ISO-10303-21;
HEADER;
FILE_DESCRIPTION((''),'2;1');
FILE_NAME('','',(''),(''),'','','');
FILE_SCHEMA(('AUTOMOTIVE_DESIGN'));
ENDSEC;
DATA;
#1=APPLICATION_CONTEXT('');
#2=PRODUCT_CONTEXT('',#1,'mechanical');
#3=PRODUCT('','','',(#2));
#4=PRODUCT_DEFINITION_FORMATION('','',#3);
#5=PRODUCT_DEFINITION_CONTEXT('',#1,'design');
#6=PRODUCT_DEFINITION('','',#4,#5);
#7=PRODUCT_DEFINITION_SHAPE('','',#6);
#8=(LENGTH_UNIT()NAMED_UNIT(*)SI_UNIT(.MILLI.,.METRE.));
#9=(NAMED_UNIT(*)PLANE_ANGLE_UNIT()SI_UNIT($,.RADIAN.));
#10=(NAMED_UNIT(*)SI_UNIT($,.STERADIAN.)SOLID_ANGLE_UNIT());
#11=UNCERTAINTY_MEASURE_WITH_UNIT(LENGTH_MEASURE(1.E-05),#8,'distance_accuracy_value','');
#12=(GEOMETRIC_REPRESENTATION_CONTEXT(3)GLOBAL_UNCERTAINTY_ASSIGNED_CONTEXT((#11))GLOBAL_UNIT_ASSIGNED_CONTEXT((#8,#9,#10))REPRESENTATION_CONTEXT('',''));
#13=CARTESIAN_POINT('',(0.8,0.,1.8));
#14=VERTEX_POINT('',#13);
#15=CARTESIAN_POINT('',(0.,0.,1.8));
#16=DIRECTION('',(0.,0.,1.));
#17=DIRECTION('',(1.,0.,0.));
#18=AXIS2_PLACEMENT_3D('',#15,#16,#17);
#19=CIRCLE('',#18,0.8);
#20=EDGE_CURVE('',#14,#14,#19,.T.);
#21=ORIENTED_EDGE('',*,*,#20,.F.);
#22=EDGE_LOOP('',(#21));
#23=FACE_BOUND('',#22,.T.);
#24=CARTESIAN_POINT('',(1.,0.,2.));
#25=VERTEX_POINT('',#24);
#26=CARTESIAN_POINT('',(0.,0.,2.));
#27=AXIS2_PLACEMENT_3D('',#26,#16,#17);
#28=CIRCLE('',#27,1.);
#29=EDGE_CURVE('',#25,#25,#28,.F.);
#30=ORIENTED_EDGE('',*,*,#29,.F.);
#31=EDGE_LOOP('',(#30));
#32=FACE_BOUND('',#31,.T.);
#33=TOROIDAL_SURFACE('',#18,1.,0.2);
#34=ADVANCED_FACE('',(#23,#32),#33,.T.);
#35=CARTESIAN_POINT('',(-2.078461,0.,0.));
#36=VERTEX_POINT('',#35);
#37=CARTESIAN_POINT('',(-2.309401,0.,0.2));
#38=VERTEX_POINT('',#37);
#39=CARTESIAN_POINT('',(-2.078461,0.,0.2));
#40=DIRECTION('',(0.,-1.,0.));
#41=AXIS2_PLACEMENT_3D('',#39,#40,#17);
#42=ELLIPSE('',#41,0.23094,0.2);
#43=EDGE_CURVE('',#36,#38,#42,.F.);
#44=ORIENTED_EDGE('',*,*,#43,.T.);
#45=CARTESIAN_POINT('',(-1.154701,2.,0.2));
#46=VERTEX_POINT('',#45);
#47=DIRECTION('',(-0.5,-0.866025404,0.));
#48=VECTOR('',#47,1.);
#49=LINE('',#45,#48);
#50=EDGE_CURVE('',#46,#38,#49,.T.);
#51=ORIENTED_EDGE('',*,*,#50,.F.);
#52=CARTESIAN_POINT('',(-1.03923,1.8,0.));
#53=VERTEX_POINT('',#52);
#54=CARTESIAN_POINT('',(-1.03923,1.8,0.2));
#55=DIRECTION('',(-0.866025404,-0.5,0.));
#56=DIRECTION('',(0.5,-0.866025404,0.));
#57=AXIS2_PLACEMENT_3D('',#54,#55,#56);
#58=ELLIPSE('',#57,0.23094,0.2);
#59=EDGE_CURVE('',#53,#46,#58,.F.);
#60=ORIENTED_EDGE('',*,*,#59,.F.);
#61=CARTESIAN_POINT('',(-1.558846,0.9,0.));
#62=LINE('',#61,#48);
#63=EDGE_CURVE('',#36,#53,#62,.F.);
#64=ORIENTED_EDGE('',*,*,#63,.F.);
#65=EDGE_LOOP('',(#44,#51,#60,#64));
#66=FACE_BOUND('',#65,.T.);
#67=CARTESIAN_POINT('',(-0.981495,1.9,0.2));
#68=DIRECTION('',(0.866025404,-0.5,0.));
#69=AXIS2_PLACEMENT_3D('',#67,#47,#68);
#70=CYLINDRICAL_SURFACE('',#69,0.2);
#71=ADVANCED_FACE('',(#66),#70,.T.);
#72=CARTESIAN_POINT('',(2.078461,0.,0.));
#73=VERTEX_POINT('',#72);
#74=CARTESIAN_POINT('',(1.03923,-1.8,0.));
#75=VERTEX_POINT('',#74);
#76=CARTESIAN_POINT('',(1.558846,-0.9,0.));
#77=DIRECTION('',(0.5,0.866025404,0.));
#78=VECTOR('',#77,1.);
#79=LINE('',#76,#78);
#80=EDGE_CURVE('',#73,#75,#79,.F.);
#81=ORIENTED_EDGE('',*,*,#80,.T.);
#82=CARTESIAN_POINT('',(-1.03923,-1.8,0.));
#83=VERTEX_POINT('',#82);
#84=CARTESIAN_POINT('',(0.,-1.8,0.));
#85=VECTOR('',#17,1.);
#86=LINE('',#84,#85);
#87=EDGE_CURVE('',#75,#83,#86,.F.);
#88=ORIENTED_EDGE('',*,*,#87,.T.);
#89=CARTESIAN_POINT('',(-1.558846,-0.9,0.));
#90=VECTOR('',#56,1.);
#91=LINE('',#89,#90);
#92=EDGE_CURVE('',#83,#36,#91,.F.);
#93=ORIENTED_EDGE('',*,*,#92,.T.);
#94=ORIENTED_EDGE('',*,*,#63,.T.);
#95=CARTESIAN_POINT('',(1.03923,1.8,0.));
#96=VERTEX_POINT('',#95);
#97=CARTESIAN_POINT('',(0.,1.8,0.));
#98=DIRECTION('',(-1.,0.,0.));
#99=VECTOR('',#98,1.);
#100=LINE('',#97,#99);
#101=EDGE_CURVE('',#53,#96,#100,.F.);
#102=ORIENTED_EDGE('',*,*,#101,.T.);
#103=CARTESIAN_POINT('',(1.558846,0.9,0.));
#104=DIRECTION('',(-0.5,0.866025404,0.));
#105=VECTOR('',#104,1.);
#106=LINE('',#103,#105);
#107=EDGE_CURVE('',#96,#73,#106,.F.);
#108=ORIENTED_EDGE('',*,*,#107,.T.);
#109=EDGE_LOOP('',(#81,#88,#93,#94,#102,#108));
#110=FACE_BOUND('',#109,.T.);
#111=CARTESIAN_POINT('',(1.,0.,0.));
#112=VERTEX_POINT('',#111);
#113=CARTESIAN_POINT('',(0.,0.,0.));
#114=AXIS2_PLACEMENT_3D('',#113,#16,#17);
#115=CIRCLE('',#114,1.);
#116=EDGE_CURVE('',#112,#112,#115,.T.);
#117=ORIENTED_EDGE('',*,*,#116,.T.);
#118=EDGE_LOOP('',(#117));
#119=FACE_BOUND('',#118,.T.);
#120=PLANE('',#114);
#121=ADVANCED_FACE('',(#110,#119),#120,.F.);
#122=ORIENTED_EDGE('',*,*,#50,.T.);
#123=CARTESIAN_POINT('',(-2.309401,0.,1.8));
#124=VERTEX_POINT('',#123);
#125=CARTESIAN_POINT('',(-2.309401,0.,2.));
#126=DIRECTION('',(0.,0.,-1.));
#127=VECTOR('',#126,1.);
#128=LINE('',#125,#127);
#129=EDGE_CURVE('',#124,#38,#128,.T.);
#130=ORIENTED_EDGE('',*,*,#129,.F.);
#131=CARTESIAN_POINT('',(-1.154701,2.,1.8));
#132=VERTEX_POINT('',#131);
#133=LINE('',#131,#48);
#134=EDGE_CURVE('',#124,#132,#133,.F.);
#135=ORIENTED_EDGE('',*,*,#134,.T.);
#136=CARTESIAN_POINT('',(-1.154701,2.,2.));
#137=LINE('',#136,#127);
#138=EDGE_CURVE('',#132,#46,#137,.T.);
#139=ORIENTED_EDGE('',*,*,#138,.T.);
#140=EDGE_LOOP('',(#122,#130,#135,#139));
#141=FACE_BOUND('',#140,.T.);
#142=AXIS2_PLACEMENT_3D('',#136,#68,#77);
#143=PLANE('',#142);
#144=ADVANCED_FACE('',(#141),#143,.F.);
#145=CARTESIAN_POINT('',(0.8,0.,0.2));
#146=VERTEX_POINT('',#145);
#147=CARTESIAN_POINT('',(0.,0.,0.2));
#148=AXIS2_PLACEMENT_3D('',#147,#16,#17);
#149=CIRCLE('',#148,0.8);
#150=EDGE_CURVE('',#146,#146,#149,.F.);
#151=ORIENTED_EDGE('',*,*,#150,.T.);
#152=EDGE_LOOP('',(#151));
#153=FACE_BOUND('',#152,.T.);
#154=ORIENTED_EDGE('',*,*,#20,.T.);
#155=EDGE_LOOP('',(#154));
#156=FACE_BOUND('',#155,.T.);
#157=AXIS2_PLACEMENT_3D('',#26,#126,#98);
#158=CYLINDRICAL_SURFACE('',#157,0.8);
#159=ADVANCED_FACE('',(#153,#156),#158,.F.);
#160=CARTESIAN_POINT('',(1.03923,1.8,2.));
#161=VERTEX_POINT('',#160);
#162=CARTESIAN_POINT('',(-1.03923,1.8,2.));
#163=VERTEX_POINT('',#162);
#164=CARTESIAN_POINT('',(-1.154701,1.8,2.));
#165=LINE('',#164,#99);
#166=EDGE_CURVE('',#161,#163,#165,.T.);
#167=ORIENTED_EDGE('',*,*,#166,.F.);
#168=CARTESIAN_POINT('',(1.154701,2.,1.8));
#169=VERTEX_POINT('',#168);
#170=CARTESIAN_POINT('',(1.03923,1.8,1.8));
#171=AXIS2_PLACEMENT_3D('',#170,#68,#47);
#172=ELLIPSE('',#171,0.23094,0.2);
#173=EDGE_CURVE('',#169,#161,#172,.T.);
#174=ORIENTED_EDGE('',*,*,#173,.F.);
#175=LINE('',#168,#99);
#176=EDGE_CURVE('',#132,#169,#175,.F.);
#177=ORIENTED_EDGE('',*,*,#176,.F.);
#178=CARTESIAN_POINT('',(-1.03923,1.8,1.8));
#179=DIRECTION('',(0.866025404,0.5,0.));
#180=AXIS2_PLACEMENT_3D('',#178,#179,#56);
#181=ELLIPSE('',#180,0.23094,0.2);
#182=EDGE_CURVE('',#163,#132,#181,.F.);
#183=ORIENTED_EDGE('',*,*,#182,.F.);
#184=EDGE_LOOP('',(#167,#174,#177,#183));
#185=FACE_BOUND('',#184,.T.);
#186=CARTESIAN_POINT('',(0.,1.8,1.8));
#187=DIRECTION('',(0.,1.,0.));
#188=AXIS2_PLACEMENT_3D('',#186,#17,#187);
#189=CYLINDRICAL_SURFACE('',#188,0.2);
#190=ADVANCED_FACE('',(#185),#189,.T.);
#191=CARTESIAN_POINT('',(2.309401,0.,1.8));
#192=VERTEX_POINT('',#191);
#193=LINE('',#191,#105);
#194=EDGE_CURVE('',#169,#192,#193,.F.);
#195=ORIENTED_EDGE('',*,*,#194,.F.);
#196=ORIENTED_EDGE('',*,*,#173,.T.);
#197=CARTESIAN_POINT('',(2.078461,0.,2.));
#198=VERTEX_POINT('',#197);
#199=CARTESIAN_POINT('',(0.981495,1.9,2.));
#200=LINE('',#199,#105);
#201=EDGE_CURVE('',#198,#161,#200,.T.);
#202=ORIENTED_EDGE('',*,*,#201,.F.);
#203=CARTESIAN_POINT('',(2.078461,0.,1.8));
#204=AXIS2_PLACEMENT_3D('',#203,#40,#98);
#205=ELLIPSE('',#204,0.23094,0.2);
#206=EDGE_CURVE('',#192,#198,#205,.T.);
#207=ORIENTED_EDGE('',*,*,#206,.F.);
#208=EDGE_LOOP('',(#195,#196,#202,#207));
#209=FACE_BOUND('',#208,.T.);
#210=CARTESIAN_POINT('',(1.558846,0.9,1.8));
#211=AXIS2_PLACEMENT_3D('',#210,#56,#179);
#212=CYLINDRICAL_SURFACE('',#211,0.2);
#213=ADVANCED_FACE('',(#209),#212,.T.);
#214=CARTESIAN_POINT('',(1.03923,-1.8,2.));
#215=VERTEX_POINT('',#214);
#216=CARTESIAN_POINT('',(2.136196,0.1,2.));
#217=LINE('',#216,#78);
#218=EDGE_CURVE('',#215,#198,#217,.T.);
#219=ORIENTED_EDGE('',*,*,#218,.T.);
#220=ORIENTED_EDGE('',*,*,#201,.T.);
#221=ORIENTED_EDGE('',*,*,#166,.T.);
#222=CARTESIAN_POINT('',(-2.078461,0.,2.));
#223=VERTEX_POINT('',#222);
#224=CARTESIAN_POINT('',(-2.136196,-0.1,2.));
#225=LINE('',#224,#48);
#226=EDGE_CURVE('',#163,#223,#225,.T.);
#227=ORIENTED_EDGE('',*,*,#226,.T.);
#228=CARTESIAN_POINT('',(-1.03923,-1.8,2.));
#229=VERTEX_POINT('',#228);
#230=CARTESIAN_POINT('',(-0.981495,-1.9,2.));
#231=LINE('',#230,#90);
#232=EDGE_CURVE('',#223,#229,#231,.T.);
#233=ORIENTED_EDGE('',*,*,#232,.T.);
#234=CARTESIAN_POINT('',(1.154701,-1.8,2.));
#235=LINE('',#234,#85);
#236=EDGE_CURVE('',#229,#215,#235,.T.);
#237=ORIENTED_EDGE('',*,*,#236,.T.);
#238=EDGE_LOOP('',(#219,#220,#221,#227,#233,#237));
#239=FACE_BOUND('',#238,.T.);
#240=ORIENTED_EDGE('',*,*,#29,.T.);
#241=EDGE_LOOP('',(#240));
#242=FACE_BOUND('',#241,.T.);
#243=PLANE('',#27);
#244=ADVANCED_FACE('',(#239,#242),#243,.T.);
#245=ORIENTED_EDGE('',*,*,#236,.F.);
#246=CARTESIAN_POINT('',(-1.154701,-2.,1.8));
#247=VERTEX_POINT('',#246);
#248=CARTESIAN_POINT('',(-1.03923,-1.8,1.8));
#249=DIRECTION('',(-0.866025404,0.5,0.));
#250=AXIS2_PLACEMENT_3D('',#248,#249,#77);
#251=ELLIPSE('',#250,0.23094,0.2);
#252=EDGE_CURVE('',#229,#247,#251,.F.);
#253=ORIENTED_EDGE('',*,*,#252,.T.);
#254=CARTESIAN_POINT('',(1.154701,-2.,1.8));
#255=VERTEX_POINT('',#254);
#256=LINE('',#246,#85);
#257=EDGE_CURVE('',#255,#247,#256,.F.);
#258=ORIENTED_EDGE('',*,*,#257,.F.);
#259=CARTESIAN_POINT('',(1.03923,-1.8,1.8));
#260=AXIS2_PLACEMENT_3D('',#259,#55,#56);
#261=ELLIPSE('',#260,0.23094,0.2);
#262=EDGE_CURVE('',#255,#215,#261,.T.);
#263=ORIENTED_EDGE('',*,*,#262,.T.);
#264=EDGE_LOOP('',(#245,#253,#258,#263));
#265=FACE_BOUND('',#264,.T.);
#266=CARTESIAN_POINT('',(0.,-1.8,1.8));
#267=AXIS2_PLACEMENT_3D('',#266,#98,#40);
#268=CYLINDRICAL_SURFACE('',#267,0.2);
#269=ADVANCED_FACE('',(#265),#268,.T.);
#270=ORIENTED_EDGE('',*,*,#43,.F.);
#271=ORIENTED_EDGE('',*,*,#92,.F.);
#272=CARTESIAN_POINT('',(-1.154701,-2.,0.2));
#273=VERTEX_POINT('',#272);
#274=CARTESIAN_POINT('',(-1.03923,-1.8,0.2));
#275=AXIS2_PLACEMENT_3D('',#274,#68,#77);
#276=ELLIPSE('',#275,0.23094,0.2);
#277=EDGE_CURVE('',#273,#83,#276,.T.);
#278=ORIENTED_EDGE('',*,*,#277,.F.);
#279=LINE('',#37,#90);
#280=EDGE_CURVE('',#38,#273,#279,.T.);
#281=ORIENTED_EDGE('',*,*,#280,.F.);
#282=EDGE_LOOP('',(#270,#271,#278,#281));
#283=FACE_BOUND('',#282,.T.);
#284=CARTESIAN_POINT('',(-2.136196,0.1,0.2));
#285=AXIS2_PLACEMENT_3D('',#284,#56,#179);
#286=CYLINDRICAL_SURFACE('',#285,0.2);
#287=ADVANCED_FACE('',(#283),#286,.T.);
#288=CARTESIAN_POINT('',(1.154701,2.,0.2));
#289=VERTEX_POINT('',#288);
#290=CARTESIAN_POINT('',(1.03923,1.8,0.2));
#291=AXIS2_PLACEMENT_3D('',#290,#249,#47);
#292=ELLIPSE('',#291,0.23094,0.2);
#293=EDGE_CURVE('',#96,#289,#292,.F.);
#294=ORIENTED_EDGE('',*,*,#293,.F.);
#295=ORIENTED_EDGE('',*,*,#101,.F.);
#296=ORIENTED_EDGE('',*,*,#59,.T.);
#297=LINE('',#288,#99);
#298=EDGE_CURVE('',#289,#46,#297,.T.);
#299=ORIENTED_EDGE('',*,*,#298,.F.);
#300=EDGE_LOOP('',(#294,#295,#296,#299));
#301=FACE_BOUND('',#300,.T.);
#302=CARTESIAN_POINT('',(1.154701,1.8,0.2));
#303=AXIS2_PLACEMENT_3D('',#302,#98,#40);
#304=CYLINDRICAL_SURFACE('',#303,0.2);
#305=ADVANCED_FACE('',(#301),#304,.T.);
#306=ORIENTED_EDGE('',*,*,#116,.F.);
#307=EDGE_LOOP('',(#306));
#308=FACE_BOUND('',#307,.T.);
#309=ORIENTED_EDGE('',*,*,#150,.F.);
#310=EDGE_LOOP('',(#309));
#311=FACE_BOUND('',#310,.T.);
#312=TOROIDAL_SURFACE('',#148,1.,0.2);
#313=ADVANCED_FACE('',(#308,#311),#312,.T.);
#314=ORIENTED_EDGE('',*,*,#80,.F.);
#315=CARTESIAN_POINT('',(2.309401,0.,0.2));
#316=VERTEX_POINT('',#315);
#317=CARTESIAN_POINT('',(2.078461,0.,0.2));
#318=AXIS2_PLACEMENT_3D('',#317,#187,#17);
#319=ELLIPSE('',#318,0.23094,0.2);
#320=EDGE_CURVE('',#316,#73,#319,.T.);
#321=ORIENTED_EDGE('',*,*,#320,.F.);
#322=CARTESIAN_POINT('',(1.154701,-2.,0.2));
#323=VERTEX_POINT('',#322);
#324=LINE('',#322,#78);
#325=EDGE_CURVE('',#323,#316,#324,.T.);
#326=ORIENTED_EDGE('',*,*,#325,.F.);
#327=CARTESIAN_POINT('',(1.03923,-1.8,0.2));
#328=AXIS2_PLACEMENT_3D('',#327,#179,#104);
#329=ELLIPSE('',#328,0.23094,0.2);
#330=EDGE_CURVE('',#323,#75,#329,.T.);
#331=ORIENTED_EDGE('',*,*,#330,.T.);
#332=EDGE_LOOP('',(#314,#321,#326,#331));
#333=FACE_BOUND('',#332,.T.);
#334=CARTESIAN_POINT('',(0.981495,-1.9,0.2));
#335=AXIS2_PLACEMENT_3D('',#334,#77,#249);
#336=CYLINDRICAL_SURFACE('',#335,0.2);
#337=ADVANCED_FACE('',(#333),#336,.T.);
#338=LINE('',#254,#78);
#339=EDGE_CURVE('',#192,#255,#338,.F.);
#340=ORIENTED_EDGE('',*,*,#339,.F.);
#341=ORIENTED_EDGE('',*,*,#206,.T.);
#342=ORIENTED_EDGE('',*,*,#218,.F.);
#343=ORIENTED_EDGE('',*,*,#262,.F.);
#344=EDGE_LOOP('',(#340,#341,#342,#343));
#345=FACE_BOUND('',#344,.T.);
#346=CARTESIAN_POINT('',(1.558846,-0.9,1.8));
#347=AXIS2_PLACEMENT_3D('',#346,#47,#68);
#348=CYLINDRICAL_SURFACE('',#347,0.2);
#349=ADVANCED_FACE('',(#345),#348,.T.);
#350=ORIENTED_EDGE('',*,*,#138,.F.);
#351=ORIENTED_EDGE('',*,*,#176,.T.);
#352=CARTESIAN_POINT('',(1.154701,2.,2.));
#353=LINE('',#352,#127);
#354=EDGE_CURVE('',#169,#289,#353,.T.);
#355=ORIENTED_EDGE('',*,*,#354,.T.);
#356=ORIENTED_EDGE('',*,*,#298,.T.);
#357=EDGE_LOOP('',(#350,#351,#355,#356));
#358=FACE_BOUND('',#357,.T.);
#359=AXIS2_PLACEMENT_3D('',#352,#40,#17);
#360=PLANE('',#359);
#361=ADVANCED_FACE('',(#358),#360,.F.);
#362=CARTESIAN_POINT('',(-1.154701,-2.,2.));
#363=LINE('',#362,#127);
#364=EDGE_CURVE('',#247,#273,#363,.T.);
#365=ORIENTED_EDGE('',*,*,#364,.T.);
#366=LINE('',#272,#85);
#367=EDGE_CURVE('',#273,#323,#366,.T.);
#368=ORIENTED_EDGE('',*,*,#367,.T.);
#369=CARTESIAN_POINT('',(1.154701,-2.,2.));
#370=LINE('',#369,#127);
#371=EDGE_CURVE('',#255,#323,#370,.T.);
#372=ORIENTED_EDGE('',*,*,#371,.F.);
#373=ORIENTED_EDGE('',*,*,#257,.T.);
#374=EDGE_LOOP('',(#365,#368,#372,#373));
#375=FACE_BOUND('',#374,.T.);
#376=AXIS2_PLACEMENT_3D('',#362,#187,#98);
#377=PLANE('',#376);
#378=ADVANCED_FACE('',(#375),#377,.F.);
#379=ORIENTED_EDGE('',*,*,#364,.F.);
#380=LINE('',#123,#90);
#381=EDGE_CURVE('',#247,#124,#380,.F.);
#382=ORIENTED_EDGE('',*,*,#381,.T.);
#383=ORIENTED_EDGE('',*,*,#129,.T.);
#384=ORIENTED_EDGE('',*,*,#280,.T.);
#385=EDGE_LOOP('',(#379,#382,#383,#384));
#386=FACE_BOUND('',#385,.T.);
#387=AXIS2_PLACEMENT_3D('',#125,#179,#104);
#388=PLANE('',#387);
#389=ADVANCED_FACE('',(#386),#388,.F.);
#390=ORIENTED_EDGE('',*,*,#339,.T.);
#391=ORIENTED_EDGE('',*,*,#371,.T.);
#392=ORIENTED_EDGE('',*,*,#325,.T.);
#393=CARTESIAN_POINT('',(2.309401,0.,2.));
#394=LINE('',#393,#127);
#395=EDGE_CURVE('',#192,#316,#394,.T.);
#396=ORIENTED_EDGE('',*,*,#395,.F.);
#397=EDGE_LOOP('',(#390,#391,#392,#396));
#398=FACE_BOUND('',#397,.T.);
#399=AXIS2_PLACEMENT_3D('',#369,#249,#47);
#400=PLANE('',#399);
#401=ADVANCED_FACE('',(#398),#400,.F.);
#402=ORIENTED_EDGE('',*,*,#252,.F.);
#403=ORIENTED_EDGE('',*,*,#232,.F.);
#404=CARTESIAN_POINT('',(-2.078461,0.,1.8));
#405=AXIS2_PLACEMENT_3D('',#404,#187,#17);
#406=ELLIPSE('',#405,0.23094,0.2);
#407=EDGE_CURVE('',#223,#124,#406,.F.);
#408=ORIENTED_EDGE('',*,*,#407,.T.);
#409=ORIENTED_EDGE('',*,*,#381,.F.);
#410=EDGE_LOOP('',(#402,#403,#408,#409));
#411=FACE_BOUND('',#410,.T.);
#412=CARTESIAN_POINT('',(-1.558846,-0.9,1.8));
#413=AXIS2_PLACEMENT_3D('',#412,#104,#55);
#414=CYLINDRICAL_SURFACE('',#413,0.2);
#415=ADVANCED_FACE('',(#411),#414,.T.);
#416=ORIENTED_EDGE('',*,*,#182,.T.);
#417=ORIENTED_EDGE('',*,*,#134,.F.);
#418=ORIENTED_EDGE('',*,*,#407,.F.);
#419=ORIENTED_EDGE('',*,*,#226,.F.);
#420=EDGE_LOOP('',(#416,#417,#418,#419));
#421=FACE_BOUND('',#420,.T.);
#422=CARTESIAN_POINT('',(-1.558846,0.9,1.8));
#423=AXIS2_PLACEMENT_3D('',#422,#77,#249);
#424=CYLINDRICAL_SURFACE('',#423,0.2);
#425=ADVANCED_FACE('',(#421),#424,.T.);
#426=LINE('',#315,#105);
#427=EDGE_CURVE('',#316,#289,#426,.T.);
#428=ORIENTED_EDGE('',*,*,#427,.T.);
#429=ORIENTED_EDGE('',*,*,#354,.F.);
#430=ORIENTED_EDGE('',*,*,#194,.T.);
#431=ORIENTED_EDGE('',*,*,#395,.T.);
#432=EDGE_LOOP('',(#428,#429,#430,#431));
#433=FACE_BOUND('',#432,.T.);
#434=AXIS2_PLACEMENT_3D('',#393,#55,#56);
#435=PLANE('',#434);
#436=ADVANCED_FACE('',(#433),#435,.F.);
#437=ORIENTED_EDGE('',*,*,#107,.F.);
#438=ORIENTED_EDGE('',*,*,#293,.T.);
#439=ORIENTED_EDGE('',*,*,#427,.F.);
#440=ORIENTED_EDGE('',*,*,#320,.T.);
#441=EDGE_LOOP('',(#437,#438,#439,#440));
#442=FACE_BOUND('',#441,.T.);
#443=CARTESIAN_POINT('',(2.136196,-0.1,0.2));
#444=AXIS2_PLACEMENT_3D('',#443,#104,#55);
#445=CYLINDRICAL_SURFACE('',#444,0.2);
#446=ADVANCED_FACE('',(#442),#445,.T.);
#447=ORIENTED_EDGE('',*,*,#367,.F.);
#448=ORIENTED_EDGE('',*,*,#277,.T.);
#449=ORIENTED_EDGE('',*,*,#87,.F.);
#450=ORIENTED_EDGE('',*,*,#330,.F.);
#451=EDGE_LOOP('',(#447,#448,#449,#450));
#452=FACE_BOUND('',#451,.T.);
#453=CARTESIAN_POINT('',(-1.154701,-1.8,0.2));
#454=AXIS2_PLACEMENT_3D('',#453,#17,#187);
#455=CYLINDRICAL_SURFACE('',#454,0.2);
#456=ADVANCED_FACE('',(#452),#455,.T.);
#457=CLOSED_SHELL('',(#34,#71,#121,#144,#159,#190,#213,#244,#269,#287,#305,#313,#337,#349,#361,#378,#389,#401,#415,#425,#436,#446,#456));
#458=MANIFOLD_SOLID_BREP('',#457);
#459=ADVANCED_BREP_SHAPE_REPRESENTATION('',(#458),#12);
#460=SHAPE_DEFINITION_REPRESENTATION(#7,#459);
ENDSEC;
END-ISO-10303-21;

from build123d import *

# Parameters (mm, degrees)
SKETCH1_R           = 0.8
BOSS_EXTRUDE1_DEPTH = 2
FILLET1_R           = 0.2


with BuildPart() as part:
    # Sketch1 → Boss-Extrude1 (new body)
    with BuildSketch(Plane.XY):
        Polygon((2.309401077, 0), (1.154700538, 2), (-1.154700538, 2), (-2.309401077, 0), (-1.154700538, -2), (1.154700538, -2), align=None)
        Circle(SKETCH1_R, mode=Mode.SUBTRACT)
    extrude(amount=BOSS_EXTRUDE1_DEPTH)

    # Fillet1
    fillet1_edges = [part.edges().sort_by_distance(p)[0] for p in [
        (0, 2, 2),
        (-1.732050808, 1, 2),
        (-1.732050808, -1, 2),
        (-0.8, 0, 0),
        (-0.8, 0, 2),
        (0, -2, 2),
        (1.732050808, -1, 2),
        (0, -2, 0),
        (-1.732050808, -1, 0),
        (-1.732050808, 1, 0),
        (1.732050808, 1, 2),
        (0, 2, 0),
        (1.732050808, 1, 0),
        (1.732050808, -1, 0),
    ]]
    fillet(fillet1_edges, radius=FILLET1_R)


solid = part.part
